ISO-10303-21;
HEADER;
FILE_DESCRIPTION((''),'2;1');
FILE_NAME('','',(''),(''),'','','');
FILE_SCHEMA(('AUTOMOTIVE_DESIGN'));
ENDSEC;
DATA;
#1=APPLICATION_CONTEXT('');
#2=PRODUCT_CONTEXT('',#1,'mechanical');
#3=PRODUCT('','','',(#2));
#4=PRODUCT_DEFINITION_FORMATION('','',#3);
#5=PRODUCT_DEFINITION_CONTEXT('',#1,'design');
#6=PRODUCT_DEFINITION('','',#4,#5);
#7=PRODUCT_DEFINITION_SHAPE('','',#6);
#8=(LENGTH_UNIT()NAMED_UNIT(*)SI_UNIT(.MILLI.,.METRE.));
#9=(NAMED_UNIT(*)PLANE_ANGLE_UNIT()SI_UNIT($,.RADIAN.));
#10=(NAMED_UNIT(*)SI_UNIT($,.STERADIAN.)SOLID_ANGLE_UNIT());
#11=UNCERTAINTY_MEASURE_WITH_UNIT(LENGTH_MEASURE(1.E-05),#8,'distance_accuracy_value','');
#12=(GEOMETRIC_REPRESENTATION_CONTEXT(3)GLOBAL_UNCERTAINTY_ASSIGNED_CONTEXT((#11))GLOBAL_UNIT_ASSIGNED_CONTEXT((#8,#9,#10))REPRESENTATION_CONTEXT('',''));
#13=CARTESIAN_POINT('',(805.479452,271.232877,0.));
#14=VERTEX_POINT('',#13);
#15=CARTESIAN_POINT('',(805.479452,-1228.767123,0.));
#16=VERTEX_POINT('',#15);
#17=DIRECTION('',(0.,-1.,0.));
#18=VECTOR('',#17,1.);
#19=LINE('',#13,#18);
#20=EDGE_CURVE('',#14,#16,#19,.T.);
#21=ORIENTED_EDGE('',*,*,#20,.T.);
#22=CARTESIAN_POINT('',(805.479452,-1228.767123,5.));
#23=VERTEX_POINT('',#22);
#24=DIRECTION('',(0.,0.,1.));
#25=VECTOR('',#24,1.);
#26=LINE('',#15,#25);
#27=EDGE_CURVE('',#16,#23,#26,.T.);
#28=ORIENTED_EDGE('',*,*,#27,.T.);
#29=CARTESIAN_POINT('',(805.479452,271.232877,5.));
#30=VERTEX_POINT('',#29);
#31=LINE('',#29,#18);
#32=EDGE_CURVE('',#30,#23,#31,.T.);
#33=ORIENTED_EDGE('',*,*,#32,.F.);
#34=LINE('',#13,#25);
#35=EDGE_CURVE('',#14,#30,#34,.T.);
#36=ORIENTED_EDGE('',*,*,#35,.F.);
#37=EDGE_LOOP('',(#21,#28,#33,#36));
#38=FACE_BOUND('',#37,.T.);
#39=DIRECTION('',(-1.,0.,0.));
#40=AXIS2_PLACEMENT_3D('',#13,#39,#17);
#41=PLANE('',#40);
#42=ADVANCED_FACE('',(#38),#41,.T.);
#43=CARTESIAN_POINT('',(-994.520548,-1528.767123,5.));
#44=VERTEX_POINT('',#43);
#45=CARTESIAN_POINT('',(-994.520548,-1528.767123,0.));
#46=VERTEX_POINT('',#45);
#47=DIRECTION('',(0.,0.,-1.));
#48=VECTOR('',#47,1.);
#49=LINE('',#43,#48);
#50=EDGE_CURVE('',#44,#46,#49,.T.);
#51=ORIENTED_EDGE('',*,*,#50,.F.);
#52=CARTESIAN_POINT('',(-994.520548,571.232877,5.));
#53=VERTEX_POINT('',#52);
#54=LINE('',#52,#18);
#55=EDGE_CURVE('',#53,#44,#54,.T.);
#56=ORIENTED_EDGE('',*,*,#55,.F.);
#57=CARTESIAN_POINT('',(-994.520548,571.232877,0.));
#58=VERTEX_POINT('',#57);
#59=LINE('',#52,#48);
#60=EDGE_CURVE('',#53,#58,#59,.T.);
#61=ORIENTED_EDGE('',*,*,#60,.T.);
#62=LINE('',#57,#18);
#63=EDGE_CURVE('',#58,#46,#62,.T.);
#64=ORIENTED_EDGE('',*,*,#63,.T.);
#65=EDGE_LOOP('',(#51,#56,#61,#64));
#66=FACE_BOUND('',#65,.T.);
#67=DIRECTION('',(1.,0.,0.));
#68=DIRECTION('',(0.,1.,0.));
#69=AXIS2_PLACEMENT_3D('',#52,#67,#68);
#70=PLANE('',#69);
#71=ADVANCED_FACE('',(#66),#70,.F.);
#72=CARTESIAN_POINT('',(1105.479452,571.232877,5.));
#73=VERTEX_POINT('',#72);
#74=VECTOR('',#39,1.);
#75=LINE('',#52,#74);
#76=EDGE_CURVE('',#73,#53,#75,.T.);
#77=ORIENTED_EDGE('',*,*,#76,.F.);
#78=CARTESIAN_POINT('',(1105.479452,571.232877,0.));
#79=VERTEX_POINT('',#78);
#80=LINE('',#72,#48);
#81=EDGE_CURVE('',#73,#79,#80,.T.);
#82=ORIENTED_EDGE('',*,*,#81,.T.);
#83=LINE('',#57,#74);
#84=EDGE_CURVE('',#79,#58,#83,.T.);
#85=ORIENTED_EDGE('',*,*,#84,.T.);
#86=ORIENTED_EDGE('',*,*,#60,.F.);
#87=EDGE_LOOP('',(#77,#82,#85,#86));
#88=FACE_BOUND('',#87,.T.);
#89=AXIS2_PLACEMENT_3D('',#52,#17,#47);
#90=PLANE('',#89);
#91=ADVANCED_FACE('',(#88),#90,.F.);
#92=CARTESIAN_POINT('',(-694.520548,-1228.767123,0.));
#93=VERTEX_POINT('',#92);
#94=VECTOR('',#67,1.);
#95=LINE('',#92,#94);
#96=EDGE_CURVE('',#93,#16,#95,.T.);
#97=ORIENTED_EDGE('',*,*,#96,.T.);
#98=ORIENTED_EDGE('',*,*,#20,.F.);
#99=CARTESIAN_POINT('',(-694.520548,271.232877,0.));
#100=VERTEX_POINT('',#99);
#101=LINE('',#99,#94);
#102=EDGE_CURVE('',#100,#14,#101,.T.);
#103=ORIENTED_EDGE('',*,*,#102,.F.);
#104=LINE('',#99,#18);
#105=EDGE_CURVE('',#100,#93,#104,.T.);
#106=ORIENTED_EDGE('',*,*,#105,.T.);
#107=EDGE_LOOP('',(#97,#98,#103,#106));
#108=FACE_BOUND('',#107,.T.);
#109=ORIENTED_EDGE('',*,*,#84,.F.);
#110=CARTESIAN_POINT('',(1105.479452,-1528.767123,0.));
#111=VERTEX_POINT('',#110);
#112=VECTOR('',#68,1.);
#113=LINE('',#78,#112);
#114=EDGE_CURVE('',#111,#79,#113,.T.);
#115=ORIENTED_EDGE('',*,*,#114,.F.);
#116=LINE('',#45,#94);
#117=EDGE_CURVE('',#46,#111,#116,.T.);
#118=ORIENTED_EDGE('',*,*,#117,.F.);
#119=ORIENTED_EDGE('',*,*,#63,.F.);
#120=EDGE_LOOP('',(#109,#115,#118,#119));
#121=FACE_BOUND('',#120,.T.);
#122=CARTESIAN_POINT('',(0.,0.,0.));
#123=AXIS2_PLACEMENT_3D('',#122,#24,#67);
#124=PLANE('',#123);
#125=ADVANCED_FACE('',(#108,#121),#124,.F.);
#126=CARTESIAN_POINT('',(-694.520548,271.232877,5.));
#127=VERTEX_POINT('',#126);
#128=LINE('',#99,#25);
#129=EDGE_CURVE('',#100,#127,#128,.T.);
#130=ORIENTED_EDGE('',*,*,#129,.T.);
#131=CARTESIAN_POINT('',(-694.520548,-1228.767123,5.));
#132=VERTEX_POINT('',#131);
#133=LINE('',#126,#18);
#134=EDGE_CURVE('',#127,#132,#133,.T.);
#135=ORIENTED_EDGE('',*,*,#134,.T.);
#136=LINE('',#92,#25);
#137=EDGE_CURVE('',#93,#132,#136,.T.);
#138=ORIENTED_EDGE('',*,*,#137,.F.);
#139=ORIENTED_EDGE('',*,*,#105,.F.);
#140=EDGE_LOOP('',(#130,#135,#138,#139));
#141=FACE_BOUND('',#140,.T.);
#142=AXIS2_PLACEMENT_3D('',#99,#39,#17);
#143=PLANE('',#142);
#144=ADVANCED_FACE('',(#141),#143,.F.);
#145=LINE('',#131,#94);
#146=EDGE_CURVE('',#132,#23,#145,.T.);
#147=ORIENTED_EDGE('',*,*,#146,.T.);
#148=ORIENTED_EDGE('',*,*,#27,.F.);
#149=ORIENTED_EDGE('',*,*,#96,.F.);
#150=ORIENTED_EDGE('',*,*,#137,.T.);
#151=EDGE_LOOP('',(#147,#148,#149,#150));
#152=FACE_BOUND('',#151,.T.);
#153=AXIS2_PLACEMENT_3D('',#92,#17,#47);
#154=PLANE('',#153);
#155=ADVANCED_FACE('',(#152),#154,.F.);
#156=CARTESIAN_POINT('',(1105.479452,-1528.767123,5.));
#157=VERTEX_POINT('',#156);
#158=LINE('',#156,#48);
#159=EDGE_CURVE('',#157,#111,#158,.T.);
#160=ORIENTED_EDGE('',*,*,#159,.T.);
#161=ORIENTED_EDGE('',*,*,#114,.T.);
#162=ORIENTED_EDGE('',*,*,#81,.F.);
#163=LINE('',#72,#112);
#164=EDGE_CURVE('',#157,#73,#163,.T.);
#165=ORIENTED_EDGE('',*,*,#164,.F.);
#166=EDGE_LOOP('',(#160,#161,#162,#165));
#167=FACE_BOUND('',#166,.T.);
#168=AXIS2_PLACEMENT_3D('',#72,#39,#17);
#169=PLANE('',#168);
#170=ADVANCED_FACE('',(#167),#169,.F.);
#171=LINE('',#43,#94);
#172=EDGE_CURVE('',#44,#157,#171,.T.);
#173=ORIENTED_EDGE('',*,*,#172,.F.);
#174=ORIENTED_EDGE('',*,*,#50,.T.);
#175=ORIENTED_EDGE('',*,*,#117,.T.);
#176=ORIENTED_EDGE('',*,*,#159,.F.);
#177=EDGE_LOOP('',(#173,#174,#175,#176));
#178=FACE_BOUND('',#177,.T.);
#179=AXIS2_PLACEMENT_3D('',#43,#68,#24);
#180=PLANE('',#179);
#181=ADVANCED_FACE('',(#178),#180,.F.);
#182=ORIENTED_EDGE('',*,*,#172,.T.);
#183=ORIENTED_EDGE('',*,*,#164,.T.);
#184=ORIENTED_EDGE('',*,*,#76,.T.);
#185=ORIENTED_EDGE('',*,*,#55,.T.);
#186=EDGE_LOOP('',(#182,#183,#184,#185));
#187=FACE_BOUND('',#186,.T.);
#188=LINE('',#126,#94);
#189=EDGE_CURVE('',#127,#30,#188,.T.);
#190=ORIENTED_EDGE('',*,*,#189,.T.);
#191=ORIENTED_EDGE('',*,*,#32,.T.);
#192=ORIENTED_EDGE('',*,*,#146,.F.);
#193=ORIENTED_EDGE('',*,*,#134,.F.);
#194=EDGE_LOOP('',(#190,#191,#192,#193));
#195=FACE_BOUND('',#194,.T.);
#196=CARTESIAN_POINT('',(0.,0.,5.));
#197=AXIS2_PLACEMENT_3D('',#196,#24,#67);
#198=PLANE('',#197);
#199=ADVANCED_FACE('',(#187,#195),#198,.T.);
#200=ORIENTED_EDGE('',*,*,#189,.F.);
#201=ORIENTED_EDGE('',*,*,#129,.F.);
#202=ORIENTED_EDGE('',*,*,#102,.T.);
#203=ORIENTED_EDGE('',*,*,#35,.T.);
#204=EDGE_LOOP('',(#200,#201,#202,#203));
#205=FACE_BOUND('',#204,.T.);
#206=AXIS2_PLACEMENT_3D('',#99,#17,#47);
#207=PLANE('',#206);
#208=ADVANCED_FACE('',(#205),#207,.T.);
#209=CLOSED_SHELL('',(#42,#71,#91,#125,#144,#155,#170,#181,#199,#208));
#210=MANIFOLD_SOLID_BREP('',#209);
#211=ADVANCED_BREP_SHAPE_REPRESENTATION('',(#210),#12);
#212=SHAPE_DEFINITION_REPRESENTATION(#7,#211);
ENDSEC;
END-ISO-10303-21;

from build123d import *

# Parameters (mm, degrees)
SKETCH1_W           = 2100
SKETCH1_H           = 2100
BOSS_EXTRUDE1_DEPTH = 5
SKETCH2_W           = 1500
SKETCH2_H           = 1500
CUT_EXTRUDE1_DEPTH  = 6


with BuildPart() as part:
    # Sketch1 → Boss-Extrude1 (new body)
    with BuildSketch(Plane.XY):
        with Locations((55.479452055, -478.767123288)):
            Rectangle(SKETCH1_W, SKETCH1_H)
    extrude(amount=BOSS_EXTRUDE1_DEPTH)

    # Sketch2 → Cut-Extrude1 (cut, through all)
    with BuildSketch(Plane.XY.offset(5)):
        with Locations((55.479452055, -478.767123288)):
            Rectangle(SKETCH2_W, SKETCH2_H)
    extrude(amount=-CUT_EXTRUDE1_DEPTH, mode=Mode.SUBTRACT)


solid = part.part
